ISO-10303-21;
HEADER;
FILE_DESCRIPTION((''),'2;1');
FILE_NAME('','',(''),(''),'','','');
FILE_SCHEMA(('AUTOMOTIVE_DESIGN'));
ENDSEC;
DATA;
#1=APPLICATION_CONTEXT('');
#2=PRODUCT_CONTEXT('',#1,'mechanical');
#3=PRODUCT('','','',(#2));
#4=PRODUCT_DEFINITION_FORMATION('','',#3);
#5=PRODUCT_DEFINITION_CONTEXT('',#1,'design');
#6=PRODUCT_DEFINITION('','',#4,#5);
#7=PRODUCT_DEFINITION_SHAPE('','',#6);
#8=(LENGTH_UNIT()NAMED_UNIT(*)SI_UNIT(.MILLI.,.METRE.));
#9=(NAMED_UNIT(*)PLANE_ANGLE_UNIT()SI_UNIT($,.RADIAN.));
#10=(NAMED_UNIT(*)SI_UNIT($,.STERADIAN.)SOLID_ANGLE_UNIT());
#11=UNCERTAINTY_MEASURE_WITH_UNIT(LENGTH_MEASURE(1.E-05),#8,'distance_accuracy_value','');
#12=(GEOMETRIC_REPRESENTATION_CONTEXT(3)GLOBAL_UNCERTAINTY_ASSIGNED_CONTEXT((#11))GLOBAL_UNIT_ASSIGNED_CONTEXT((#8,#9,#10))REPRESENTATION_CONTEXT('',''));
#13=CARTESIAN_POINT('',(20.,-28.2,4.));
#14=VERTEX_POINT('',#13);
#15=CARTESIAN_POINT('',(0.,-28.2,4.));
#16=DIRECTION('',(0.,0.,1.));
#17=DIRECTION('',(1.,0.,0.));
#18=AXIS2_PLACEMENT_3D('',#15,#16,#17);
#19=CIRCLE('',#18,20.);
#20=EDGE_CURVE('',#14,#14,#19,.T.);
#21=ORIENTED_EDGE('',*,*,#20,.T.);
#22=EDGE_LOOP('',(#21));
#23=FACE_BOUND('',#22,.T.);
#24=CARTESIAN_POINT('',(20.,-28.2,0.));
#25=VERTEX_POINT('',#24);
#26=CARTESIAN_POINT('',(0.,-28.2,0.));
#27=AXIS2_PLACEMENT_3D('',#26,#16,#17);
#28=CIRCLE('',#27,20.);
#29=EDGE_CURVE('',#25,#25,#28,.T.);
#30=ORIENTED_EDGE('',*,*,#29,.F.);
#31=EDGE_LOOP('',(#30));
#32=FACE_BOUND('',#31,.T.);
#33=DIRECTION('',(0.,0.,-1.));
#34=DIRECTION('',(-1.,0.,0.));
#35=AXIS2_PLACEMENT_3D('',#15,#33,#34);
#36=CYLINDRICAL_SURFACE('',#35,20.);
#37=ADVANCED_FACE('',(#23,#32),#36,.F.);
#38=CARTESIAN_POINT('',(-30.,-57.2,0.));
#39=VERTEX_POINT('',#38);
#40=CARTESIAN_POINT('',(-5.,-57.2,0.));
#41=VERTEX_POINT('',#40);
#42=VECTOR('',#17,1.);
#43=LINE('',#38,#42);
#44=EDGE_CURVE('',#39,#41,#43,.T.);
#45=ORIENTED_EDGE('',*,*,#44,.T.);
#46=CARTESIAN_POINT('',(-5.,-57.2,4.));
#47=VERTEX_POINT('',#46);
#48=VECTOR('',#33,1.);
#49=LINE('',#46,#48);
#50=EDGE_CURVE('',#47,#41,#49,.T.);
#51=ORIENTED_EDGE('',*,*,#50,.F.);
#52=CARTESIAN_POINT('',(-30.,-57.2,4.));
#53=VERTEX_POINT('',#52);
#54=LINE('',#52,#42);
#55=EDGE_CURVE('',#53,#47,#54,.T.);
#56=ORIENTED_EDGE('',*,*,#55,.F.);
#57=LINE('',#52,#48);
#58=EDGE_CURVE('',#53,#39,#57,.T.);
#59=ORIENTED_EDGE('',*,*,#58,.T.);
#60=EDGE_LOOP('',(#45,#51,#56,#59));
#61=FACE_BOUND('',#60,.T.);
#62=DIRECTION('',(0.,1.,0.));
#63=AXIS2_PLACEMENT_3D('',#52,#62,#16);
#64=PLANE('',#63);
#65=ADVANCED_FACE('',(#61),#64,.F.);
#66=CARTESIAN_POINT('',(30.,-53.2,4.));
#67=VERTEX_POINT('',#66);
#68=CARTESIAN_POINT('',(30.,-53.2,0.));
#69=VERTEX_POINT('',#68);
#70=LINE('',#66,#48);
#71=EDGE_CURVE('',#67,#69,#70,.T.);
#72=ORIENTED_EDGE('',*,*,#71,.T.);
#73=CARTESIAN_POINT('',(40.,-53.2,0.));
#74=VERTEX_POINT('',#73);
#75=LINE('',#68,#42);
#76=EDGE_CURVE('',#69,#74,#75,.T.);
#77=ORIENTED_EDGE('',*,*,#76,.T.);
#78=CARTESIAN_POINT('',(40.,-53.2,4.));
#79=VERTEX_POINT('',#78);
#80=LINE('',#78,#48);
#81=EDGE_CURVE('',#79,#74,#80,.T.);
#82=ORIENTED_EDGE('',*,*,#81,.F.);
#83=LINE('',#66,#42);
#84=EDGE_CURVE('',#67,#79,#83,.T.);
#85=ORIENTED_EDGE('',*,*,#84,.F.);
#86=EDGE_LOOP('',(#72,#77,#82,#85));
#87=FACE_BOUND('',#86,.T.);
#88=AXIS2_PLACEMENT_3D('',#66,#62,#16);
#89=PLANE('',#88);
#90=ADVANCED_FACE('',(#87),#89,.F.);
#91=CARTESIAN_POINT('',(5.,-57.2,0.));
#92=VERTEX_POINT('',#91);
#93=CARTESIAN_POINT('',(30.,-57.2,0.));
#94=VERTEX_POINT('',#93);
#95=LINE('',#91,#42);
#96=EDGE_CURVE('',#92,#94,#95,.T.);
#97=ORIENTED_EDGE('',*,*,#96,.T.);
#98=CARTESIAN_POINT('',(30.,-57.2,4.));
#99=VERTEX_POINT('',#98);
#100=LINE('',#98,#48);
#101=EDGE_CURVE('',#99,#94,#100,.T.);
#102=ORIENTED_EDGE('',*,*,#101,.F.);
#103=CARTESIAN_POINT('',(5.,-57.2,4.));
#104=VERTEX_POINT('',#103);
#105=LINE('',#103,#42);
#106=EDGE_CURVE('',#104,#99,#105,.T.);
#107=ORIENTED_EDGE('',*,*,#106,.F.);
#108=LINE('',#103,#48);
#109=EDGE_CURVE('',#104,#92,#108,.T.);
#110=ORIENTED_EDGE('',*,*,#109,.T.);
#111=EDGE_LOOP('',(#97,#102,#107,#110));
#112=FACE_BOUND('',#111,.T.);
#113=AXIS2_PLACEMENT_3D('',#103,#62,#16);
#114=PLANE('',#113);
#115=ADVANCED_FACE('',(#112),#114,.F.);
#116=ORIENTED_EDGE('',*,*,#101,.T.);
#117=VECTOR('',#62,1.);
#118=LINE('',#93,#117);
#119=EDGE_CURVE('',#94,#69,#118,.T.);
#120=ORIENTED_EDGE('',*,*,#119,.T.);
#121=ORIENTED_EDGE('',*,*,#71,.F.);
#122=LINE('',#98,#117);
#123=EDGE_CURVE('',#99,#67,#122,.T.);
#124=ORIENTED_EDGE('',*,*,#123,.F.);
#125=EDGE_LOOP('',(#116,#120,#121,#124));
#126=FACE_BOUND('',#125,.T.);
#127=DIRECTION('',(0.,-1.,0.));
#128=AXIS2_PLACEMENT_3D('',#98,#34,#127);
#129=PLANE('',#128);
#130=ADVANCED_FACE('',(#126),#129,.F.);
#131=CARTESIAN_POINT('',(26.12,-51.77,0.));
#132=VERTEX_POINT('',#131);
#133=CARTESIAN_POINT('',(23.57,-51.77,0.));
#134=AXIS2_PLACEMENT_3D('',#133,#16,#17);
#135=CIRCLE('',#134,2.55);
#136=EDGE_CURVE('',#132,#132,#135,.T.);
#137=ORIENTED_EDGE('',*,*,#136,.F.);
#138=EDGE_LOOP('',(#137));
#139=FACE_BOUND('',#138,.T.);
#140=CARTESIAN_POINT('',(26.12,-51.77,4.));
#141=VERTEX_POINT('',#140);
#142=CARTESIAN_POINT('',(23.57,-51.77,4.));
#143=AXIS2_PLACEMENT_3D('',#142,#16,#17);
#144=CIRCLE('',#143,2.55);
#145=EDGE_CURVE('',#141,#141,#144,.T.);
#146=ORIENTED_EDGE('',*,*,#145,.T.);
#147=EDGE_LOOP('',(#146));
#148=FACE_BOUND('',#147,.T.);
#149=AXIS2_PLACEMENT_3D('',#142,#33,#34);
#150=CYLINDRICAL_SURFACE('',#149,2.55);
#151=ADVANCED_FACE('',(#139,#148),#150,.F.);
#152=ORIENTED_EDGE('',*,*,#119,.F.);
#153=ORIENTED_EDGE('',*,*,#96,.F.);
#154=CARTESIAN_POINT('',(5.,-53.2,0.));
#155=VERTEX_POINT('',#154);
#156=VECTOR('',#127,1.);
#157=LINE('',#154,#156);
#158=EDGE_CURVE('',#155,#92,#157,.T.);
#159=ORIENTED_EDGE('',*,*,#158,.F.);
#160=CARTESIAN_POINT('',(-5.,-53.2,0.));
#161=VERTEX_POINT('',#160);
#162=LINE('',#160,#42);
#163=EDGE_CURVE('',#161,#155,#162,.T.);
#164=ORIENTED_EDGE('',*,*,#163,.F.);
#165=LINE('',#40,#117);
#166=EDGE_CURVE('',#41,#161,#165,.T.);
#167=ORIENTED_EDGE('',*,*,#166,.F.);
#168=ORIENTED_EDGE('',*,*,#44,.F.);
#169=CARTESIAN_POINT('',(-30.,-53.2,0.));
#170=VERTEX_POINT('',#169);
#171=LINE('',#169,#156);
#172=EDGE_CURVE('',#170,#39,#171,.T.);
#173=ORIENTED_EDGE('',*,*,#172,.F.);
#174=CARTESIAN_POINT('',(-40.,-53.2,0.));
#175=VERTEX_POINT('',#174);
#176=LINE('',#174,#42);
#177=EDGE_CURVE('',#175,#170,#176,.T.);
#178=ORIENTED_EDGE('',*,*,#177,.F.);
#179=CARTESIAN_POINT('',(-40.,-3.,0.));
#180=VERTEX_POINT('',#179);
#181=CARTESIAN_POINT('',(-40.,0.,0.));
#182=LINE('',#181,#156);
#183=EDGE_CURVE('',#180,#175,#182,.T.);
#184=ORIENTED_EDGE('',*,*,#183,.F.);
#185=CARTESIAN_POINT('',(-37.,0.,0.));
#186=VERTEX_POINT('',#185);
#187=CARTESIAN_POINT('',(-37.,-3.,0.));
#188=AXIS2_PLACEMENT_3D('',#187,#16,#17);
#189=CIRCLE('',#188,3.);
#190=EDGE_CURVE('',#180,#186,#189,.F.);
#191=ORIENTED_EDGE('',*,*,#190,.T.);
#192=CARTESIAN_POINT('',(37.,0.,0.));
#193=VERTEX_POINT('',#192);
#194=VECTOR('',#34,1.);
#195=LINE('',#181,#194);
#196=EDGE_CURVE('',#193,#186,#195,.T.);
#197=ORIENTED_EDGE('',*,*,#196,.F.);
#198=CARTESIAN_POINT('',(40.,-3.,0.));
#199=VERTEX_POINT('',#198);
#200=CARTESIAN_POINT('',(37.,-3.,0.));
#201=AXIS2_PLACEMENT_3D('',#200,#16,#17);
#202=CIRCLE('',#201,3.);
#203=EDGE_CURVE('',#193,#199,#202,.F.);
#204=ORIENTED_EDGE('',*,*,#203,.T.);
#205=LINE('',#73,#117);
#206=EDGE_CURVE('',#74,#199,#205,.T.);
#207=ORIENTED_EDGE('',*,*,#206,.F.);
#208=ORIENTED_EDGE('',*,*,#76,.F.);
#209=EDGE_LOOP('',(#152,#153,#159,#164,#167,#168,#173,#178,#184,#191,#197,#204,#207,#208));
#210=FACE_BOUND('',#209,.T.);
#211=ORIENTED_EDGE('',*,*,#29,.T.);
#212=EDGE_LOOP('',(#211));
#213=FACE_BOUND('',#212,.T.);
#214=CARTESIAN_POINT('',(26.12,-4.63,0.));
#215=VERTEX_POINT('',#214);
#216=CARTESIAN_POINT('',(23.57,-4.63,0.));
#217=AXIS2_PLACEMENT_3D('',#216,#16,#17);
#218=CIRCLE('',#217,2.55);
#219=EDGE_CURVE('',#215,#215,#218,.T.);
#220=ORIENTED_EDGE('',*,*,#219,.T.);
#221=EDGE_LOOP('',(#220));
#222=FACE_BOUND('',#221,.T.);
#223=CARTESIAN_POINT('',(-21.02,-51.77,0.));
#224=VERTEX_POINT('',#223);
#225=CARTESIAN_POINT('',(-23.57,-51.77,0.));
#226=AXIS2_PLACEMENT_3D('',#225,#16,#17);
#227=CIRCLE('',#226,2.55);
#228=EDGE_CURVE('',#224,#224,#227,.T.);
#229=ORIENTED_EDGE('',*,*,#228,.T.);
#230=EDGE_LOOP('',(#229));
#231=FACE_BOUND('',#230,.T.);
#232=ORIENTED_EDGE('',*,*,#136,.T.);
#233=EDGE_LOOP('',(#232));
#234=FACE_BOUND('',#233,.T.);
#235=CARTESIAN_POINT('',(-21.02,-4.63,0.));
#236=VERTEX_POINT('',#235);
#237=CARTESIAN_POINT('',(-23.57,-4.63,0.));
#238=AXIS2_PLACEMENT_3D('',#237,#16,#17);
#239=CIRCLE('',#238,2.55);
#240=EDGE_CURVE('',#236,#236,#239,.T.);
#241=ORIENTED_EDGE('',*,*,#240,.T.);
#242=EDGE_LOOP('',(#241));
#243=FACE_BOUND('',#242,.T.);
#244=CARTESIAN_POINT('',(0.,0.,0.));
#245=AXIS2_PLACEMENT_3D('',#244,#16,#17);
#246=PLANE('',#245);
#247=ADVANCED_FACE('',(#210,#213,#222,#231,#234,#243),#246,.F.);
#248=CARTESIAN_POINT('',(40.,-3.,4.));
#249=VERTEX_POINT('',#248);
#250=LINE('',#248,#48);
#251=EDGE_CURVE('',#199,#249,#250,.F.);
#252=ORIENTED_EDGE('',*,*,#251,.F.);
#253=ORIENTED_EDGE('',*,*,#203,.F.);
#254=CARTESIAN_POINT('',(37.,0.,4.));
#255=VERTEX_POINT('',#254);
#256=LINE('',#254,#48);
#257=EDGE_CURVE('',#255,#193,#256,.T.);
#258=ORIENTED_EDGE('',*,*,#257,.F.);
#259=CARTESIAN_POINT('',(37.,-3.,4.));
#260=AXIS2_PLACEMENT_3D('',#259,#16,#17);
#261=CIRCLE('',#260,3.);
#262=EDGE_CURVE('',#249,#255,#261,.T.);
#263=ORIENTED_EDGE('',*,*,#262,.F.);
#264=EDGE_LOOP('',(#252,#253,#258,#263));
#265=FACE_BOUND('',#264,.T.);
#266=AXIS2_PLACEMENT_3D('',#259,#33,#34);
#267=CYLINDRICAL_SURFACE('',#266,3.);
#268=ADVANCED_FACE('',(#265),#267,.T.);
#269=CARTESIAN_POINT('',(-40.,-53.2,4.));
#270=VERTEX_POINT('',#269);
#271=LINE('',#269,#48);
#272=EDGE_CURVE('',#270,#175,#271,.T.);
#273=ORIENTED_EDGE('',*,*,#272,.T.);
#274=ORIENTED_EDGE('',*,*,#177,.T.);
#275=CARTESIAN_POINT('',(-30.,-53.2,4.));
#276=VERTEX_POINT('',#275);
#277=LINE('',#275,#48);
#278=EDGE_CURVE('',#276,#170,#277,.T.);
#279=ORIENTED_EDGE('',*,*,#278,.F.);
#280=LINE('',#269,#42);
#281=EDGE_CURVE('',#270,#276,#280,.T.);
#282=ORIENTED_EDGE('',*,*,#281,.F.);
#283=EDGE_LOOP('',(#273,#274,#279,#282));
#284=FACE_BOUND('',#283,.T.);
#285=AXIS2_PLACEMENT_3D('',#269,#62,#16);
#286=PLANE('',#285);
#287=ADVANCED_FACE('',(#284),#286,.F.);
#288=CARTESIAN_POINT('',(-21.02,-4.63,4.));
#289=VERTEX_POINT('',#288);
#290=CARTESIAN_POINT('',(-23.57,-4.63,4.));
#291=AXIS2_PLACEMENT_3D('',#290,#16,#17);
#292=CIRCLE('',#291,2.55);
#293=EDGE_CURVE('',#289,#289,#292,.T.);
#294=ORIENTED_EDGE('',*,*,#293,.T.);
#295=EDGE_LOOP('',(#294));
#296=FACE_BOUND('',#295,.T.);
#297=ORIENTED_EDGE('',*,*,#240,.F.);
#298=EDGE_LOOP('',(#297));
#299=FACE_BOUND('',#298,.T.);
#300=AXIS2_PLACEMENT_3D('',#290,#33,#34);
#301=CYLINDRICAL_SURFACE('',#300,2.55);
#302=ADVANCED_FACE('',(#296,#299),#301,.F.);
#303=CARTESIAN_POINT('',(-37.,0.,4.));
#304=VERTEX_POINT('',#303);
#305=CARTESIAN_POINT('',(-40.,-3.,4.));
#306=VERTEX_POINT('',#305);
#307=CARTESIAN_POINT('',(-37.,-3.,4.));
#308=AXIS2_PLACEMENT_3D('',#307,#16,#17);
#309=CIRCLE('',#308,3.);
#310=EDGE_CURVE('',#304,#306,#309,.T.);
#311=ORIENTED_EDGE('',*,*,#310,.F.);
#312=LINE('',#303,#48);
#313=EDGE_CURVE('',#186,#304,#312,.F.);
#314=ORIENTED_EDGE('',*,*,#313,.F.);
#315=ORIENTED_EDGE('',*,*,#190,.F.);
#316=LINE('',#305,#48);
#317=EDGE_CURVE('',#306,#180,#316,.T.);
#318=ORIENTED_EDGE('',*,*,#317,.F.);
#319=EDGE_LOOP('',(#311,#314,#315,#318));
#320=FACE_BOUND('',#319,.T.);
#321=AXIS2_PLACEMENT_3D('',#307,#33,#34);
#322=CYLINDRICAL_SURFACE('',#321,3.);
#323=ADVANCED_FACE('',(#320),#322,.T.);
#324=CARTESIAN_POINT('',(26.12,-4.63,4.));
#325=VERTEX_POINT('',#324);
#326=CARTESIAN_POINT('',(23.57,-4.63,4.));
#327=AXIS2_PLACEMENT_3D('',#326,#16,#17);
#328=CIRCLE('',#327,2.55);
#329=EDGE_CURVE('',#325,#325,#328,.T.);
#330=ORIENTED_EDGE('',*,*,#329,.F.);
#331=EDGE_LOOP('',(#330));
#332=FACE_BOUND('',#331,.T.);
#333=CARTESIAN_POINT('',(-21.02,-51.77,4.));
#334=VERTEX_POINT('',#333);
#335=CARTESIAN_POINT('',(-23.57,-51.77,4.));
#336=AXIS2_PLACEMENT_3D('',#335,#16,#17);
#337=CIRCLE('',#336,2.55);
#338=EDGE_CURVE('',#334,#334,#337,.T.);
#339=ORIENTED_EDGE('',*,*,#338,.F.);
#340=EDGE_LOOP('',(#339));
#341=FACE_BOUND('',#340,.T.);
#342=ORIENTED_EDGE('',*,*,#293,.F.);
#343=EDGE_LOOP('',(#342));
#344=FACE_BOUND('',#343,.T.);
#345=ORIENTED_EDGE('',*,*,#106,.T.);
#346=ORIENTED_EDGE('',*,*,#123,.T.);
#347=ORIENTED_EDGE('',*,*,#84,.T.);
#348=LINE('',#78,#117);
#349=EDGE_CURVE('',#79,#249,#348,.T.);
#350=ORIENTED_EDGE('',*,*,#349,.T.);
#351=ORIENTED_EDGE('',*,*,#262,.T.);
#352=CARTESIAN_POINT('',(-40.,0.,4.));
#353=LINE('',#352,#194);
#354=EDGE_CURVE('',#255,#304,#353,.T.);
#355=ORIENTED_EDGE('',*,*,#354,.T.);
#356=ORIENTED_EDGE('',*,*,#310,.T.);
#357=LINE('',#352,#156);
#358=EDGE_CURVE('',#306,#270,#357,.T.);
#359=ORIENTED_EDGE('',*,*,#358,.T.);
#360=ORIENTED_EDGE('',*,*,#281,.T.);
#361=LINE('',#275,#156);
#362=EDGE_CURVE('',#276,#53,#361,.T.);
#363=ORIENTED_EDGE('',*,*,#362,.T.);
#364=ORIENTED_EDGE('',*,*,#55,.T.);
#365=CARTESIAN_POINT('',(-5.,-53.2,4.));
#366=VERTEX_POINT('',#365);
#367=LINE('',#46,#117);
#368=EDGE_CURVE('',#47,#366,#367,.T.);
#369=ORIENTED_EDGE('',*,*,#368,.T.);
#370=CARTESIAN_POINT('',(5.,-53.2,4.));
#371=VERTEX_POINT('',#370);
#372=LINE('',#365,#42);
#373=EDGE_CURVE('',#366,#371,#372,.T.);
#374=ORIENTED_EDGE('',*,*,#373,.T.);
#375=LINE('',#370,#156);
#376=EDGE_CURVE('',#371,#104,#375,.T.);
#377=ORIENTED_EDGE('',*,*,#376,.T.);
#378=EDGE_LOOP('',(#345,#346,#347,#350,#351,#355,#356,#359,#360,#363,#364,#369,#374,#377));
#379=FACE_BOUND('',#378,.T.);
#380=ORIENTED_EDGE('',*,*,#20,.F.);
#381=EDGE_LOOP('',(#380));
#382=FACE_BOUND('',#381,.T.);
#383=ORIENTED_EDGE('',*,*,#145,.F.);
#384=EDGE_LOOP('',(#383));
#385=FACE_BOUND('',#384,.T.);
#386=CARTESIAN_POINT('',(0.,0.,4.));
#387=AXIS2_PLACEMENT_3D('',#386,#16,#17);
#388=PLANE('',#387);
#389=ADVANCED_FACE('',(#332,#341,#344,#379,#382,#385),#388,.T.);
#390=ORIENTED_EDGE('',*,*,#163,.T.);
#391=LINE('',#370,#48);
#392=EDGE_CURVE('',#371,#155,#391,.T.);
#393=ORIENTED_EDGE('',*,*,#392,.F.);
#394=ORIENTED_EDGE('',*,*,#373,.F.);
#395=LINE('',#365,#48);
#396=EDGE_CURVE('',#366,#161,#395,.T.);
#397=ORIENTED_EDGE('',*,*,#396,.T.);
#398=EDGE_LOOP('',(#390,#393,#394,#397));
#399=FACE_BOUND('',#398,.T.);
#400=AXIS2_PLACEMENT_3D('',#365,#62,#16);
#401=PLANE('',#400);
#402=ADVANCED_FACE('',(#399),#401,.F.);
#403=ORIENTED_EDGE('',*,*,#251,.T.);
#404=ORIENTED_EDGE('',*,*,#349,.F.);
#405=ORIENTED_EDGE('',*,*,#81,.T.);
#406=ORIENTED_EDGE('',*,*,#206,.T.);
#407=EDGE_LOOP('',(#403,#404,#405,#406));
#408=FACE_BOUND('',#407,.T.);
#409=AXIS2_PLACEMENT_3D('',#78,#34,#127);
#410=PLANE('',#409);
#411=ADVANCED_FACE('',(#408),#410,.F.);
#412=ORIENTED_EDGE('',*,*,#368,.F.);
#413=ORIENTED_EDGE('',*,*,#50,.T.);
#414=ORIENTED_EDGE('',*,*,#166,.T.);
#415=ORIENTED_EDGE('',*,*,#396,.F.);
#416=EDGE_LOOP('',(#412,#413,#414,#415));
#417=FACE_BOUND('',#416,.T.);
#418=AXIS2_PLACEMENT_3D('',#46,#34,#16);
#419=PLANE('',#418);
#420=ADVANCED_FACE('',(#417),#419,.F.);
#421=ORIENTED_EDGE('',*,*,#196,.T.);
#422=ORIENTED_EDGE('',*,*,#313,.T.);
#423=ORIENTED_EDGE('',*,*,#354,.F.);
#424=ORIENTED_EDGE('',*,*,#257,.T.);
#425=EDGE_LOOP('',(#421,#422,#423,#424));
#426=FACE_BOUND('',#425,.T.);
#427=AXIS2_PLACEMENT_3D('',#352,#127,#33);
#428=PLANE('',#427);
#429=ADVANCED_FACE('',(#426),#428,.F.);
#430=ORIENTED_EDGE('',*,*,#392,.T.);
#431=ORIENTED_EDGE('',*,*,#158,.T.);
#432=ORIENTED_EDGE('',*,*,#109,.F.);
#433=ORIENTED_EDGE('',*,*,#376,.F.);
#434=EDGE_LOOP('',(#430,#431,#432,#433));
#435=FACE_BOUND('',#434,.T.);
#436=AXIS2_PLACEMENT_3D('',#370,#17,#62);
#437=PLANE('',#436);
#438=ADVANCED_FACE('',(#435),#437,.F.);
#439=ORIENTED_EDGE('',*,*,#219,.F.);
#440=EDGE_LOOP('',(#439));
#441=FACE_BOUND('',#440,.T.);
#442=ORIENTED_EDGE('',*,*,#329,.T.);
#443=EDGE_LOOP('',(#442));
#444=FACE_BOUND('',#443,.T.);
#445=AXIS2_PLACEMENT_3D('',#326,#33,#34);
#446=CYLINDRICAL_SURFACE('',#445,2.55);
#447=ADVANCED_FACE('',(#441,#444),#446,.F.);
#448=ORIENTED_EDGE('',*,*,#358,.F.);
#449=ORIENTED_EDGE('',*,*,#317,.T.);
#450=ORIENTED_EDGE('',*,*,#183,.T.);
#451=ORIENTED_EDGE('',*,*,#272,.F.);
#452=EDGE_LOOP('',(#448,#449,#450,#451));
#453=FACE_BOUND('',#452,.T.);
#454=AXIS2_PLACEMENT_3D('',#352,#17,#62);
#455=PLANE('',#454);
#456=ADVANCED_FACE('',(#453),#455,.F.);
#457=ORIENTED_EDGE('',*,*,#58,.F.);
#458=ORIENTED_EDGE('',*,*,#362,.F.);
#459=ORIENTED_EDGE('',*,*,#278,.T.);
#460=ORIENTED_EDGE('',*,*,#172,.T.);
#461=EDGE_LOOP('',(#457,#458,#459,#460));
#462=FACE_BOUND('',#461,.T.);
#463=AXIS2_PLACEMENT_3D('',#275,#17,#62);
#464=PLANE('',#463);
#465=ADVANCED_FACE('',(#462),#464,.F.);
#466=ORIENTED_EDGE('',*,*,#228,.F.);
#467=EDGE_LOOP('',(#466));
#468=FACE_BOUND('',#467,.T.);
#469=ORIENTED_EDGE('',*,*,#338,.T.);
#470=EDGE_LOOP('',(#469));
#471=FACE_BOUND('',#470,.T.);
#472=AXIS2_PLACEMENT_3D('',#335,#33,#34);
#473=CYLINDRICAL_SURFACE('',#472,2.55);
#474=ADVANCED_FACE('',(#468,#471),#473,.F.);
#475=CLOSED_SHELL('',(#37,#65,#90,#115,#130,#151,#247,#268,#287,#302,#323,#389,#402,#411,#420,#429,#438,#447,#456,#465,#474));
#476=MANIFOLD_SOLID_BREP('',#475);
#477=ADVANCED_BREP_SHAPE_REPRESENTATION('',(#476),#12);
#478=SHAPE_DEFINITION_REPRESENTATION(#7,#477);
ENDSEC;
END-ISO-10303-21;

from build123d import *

# Parameters (mm, degrees)
SKETCH_1_R      = 20
SKETCH_1_R_2    = 2.55
EXTRUDE_2_DEPTH = 4
FILLET_1_R      = 3


with BuildPart() as part:
    # Эскиз1 → Бобышка-Вытянуть2 (new body)
    with BuildSketch(Plane.XY):
        Polygon((-40, 0), (40, 0), (40, -53.2), (30, -53.2), (30, -57.2), (5, -57.2), (5, -53.2), (-5, -53.2), (-5, -57.2), (-30, -57.2), (-30, -53.2), (-40, -53.2), align=None)
        with Locations((0, -28.2)):
            Circle(SKETCH_1_R, mode=Mode.SUBTRACT)
        with Locations((-23.57, -4.63)):
            Circle(SKETCH_1_R_2, mode=Mode.SUBTRACT)
        with Locations((23.57, -4.63)):
            Circle(SKETCH_1_R_2, mode=Mode.SUBTRACT)
        with Locations((23.57, -51.77)):
            Circle(SKETCH_1_R_2, mode=Mode.SUBTRACT)
        with Locations((-23.57, -51.77)):
            Circle(SKETCH_1_R_2, mode=Mode.SUBTRACT)
    extrude(amount=EXTRUDE_2_DEPTH)

    # Скругление1
    fillet_1_edges = [part.edges().sort_by_distance(p)[0] for p in [
        (-40, 0, 2),
        (40, 0, 2),
    ]]
    fillet(fillet_1_edges, radius=FILLET_1_R)


solid = part.part
